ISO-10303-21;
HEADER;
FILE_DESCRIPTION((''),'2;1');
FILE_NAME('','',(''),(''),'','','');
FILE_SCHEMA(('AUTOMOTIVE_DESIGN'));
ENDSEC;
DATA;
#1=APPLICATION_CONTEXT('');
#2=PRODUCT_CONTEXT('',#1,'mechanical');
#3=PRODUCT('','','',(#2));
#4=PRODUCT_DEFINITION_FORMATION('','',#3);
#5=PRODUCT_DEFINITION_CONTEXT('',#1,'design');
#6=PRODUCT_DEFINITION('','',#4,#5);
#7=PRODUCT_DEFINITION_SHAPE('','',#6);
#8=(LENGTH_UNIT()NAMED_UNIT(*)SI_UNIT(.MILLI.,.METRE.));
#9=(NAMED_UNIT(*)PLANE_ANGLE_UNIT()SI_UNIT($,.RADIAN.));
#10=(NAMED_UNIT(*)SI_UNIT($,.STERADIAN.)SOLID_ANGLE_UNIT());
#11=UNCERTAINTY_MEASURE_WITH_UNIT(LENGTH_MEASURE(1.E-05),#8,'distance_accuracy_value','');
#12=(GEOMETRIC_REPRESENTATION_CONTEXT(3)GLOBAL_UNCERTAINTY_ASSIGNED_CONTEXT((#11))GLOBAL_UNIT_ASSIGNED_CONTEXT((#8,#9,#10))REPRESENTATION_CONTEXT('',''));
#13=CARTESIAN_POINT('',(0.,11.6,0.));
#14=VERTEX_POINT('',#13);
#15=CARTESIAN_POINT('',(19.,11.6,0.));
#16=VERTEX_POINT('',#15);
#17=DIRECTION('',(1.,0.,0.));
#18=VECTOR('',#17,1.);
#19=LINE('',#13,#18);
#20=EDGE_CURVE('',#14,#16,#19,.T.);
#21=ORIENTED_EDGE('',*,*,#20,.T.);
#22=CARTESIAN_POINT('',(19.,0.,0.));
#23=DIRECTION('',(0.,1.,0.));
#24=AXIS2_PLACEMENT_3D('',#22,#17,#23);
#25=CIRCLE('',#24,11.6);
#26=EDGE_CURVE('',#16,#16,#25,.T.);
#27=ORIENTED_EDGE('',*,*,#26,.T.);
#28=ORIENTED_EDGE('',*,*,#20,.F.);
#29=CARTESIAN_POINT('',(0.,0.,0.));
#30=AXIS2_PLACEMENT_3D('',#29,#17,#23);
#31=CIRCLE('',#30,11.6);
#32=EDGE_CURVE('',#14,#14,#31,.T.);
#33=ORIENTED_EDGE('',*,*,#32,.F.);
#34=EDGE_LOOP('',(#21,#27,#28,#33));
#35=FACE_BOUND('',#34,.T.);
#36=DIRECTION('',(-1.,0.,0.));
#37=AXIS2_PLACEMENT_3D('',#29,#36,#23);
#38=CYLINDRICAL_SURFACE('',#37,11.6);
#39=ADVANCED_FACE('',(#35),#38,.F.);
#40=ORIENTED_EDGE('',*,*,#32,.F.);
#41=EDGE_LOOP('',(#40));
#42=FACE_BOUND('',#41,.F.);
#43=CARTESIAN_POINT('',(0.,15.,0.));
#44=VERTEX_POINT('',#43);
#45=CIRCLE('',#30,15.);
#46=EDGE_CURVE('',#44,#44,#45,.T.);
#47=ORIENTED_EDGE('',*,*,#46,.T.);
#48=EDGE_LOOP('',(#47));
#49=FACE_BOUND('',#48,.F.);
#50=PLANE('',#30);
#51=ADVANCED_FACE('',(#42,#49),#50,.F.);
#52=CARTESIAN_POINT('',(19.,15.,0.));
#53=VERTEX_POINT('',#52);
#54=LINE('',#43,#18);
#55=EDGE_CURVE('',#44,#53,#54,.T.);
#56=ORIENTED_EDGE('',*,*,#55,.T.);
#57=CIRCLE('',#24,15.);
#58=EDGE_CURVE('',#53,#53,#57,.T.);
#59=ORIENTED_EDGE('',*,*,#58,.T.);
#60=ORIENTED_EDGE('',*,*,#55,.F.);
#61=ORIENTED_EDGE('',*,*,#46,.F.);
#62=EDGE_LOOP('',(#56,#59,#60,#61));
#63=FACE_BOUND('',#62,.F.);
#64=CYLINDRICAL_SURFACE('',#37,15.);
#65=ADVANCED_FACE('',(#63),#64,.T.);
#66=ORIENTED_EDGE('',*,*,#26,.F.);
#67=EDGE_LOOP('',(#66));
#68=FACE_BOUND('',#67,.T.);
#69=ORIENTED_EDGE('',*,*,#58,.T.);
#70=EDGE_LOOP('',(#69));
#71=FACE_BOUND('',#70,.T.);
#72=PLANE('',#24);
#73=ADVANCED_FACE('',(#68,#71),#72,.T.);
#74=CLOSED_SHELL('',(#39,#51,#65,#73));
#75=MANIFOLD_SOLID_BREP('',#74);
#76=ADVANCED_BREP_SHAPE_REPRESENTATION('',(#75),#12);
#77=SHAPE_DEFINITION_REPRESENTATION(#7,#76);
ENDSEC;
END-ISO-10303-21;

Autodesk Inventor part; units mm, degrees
ref_plane "YZ Plane" through (0, 0, 0) normal (1, 0, 0) x (0, 1, 0)
ref_plane "XZ Plane" through (0, 0, 0) normal (0, 1, 0) x (-1, 0, 0)
ref_plane "XY Plane" through (0, 0, 0) normal (0, 0, 1) x (1, 0, 0)
sketch "Sketch1" plane through (0, 0, 0) normal (1, 0, 0) x (0, 1, 0)
  circle A0 centre (0, 0) radius 15
  circle A1 centre (0, 0) radius 11.6
  dimension "d0" = 30
  dimension "d3" = 23.2
extrude "Extrusion1" add sketch "Sketch1" along normal blind 19
properties part number "RealyFakeTire" material "Glass"
